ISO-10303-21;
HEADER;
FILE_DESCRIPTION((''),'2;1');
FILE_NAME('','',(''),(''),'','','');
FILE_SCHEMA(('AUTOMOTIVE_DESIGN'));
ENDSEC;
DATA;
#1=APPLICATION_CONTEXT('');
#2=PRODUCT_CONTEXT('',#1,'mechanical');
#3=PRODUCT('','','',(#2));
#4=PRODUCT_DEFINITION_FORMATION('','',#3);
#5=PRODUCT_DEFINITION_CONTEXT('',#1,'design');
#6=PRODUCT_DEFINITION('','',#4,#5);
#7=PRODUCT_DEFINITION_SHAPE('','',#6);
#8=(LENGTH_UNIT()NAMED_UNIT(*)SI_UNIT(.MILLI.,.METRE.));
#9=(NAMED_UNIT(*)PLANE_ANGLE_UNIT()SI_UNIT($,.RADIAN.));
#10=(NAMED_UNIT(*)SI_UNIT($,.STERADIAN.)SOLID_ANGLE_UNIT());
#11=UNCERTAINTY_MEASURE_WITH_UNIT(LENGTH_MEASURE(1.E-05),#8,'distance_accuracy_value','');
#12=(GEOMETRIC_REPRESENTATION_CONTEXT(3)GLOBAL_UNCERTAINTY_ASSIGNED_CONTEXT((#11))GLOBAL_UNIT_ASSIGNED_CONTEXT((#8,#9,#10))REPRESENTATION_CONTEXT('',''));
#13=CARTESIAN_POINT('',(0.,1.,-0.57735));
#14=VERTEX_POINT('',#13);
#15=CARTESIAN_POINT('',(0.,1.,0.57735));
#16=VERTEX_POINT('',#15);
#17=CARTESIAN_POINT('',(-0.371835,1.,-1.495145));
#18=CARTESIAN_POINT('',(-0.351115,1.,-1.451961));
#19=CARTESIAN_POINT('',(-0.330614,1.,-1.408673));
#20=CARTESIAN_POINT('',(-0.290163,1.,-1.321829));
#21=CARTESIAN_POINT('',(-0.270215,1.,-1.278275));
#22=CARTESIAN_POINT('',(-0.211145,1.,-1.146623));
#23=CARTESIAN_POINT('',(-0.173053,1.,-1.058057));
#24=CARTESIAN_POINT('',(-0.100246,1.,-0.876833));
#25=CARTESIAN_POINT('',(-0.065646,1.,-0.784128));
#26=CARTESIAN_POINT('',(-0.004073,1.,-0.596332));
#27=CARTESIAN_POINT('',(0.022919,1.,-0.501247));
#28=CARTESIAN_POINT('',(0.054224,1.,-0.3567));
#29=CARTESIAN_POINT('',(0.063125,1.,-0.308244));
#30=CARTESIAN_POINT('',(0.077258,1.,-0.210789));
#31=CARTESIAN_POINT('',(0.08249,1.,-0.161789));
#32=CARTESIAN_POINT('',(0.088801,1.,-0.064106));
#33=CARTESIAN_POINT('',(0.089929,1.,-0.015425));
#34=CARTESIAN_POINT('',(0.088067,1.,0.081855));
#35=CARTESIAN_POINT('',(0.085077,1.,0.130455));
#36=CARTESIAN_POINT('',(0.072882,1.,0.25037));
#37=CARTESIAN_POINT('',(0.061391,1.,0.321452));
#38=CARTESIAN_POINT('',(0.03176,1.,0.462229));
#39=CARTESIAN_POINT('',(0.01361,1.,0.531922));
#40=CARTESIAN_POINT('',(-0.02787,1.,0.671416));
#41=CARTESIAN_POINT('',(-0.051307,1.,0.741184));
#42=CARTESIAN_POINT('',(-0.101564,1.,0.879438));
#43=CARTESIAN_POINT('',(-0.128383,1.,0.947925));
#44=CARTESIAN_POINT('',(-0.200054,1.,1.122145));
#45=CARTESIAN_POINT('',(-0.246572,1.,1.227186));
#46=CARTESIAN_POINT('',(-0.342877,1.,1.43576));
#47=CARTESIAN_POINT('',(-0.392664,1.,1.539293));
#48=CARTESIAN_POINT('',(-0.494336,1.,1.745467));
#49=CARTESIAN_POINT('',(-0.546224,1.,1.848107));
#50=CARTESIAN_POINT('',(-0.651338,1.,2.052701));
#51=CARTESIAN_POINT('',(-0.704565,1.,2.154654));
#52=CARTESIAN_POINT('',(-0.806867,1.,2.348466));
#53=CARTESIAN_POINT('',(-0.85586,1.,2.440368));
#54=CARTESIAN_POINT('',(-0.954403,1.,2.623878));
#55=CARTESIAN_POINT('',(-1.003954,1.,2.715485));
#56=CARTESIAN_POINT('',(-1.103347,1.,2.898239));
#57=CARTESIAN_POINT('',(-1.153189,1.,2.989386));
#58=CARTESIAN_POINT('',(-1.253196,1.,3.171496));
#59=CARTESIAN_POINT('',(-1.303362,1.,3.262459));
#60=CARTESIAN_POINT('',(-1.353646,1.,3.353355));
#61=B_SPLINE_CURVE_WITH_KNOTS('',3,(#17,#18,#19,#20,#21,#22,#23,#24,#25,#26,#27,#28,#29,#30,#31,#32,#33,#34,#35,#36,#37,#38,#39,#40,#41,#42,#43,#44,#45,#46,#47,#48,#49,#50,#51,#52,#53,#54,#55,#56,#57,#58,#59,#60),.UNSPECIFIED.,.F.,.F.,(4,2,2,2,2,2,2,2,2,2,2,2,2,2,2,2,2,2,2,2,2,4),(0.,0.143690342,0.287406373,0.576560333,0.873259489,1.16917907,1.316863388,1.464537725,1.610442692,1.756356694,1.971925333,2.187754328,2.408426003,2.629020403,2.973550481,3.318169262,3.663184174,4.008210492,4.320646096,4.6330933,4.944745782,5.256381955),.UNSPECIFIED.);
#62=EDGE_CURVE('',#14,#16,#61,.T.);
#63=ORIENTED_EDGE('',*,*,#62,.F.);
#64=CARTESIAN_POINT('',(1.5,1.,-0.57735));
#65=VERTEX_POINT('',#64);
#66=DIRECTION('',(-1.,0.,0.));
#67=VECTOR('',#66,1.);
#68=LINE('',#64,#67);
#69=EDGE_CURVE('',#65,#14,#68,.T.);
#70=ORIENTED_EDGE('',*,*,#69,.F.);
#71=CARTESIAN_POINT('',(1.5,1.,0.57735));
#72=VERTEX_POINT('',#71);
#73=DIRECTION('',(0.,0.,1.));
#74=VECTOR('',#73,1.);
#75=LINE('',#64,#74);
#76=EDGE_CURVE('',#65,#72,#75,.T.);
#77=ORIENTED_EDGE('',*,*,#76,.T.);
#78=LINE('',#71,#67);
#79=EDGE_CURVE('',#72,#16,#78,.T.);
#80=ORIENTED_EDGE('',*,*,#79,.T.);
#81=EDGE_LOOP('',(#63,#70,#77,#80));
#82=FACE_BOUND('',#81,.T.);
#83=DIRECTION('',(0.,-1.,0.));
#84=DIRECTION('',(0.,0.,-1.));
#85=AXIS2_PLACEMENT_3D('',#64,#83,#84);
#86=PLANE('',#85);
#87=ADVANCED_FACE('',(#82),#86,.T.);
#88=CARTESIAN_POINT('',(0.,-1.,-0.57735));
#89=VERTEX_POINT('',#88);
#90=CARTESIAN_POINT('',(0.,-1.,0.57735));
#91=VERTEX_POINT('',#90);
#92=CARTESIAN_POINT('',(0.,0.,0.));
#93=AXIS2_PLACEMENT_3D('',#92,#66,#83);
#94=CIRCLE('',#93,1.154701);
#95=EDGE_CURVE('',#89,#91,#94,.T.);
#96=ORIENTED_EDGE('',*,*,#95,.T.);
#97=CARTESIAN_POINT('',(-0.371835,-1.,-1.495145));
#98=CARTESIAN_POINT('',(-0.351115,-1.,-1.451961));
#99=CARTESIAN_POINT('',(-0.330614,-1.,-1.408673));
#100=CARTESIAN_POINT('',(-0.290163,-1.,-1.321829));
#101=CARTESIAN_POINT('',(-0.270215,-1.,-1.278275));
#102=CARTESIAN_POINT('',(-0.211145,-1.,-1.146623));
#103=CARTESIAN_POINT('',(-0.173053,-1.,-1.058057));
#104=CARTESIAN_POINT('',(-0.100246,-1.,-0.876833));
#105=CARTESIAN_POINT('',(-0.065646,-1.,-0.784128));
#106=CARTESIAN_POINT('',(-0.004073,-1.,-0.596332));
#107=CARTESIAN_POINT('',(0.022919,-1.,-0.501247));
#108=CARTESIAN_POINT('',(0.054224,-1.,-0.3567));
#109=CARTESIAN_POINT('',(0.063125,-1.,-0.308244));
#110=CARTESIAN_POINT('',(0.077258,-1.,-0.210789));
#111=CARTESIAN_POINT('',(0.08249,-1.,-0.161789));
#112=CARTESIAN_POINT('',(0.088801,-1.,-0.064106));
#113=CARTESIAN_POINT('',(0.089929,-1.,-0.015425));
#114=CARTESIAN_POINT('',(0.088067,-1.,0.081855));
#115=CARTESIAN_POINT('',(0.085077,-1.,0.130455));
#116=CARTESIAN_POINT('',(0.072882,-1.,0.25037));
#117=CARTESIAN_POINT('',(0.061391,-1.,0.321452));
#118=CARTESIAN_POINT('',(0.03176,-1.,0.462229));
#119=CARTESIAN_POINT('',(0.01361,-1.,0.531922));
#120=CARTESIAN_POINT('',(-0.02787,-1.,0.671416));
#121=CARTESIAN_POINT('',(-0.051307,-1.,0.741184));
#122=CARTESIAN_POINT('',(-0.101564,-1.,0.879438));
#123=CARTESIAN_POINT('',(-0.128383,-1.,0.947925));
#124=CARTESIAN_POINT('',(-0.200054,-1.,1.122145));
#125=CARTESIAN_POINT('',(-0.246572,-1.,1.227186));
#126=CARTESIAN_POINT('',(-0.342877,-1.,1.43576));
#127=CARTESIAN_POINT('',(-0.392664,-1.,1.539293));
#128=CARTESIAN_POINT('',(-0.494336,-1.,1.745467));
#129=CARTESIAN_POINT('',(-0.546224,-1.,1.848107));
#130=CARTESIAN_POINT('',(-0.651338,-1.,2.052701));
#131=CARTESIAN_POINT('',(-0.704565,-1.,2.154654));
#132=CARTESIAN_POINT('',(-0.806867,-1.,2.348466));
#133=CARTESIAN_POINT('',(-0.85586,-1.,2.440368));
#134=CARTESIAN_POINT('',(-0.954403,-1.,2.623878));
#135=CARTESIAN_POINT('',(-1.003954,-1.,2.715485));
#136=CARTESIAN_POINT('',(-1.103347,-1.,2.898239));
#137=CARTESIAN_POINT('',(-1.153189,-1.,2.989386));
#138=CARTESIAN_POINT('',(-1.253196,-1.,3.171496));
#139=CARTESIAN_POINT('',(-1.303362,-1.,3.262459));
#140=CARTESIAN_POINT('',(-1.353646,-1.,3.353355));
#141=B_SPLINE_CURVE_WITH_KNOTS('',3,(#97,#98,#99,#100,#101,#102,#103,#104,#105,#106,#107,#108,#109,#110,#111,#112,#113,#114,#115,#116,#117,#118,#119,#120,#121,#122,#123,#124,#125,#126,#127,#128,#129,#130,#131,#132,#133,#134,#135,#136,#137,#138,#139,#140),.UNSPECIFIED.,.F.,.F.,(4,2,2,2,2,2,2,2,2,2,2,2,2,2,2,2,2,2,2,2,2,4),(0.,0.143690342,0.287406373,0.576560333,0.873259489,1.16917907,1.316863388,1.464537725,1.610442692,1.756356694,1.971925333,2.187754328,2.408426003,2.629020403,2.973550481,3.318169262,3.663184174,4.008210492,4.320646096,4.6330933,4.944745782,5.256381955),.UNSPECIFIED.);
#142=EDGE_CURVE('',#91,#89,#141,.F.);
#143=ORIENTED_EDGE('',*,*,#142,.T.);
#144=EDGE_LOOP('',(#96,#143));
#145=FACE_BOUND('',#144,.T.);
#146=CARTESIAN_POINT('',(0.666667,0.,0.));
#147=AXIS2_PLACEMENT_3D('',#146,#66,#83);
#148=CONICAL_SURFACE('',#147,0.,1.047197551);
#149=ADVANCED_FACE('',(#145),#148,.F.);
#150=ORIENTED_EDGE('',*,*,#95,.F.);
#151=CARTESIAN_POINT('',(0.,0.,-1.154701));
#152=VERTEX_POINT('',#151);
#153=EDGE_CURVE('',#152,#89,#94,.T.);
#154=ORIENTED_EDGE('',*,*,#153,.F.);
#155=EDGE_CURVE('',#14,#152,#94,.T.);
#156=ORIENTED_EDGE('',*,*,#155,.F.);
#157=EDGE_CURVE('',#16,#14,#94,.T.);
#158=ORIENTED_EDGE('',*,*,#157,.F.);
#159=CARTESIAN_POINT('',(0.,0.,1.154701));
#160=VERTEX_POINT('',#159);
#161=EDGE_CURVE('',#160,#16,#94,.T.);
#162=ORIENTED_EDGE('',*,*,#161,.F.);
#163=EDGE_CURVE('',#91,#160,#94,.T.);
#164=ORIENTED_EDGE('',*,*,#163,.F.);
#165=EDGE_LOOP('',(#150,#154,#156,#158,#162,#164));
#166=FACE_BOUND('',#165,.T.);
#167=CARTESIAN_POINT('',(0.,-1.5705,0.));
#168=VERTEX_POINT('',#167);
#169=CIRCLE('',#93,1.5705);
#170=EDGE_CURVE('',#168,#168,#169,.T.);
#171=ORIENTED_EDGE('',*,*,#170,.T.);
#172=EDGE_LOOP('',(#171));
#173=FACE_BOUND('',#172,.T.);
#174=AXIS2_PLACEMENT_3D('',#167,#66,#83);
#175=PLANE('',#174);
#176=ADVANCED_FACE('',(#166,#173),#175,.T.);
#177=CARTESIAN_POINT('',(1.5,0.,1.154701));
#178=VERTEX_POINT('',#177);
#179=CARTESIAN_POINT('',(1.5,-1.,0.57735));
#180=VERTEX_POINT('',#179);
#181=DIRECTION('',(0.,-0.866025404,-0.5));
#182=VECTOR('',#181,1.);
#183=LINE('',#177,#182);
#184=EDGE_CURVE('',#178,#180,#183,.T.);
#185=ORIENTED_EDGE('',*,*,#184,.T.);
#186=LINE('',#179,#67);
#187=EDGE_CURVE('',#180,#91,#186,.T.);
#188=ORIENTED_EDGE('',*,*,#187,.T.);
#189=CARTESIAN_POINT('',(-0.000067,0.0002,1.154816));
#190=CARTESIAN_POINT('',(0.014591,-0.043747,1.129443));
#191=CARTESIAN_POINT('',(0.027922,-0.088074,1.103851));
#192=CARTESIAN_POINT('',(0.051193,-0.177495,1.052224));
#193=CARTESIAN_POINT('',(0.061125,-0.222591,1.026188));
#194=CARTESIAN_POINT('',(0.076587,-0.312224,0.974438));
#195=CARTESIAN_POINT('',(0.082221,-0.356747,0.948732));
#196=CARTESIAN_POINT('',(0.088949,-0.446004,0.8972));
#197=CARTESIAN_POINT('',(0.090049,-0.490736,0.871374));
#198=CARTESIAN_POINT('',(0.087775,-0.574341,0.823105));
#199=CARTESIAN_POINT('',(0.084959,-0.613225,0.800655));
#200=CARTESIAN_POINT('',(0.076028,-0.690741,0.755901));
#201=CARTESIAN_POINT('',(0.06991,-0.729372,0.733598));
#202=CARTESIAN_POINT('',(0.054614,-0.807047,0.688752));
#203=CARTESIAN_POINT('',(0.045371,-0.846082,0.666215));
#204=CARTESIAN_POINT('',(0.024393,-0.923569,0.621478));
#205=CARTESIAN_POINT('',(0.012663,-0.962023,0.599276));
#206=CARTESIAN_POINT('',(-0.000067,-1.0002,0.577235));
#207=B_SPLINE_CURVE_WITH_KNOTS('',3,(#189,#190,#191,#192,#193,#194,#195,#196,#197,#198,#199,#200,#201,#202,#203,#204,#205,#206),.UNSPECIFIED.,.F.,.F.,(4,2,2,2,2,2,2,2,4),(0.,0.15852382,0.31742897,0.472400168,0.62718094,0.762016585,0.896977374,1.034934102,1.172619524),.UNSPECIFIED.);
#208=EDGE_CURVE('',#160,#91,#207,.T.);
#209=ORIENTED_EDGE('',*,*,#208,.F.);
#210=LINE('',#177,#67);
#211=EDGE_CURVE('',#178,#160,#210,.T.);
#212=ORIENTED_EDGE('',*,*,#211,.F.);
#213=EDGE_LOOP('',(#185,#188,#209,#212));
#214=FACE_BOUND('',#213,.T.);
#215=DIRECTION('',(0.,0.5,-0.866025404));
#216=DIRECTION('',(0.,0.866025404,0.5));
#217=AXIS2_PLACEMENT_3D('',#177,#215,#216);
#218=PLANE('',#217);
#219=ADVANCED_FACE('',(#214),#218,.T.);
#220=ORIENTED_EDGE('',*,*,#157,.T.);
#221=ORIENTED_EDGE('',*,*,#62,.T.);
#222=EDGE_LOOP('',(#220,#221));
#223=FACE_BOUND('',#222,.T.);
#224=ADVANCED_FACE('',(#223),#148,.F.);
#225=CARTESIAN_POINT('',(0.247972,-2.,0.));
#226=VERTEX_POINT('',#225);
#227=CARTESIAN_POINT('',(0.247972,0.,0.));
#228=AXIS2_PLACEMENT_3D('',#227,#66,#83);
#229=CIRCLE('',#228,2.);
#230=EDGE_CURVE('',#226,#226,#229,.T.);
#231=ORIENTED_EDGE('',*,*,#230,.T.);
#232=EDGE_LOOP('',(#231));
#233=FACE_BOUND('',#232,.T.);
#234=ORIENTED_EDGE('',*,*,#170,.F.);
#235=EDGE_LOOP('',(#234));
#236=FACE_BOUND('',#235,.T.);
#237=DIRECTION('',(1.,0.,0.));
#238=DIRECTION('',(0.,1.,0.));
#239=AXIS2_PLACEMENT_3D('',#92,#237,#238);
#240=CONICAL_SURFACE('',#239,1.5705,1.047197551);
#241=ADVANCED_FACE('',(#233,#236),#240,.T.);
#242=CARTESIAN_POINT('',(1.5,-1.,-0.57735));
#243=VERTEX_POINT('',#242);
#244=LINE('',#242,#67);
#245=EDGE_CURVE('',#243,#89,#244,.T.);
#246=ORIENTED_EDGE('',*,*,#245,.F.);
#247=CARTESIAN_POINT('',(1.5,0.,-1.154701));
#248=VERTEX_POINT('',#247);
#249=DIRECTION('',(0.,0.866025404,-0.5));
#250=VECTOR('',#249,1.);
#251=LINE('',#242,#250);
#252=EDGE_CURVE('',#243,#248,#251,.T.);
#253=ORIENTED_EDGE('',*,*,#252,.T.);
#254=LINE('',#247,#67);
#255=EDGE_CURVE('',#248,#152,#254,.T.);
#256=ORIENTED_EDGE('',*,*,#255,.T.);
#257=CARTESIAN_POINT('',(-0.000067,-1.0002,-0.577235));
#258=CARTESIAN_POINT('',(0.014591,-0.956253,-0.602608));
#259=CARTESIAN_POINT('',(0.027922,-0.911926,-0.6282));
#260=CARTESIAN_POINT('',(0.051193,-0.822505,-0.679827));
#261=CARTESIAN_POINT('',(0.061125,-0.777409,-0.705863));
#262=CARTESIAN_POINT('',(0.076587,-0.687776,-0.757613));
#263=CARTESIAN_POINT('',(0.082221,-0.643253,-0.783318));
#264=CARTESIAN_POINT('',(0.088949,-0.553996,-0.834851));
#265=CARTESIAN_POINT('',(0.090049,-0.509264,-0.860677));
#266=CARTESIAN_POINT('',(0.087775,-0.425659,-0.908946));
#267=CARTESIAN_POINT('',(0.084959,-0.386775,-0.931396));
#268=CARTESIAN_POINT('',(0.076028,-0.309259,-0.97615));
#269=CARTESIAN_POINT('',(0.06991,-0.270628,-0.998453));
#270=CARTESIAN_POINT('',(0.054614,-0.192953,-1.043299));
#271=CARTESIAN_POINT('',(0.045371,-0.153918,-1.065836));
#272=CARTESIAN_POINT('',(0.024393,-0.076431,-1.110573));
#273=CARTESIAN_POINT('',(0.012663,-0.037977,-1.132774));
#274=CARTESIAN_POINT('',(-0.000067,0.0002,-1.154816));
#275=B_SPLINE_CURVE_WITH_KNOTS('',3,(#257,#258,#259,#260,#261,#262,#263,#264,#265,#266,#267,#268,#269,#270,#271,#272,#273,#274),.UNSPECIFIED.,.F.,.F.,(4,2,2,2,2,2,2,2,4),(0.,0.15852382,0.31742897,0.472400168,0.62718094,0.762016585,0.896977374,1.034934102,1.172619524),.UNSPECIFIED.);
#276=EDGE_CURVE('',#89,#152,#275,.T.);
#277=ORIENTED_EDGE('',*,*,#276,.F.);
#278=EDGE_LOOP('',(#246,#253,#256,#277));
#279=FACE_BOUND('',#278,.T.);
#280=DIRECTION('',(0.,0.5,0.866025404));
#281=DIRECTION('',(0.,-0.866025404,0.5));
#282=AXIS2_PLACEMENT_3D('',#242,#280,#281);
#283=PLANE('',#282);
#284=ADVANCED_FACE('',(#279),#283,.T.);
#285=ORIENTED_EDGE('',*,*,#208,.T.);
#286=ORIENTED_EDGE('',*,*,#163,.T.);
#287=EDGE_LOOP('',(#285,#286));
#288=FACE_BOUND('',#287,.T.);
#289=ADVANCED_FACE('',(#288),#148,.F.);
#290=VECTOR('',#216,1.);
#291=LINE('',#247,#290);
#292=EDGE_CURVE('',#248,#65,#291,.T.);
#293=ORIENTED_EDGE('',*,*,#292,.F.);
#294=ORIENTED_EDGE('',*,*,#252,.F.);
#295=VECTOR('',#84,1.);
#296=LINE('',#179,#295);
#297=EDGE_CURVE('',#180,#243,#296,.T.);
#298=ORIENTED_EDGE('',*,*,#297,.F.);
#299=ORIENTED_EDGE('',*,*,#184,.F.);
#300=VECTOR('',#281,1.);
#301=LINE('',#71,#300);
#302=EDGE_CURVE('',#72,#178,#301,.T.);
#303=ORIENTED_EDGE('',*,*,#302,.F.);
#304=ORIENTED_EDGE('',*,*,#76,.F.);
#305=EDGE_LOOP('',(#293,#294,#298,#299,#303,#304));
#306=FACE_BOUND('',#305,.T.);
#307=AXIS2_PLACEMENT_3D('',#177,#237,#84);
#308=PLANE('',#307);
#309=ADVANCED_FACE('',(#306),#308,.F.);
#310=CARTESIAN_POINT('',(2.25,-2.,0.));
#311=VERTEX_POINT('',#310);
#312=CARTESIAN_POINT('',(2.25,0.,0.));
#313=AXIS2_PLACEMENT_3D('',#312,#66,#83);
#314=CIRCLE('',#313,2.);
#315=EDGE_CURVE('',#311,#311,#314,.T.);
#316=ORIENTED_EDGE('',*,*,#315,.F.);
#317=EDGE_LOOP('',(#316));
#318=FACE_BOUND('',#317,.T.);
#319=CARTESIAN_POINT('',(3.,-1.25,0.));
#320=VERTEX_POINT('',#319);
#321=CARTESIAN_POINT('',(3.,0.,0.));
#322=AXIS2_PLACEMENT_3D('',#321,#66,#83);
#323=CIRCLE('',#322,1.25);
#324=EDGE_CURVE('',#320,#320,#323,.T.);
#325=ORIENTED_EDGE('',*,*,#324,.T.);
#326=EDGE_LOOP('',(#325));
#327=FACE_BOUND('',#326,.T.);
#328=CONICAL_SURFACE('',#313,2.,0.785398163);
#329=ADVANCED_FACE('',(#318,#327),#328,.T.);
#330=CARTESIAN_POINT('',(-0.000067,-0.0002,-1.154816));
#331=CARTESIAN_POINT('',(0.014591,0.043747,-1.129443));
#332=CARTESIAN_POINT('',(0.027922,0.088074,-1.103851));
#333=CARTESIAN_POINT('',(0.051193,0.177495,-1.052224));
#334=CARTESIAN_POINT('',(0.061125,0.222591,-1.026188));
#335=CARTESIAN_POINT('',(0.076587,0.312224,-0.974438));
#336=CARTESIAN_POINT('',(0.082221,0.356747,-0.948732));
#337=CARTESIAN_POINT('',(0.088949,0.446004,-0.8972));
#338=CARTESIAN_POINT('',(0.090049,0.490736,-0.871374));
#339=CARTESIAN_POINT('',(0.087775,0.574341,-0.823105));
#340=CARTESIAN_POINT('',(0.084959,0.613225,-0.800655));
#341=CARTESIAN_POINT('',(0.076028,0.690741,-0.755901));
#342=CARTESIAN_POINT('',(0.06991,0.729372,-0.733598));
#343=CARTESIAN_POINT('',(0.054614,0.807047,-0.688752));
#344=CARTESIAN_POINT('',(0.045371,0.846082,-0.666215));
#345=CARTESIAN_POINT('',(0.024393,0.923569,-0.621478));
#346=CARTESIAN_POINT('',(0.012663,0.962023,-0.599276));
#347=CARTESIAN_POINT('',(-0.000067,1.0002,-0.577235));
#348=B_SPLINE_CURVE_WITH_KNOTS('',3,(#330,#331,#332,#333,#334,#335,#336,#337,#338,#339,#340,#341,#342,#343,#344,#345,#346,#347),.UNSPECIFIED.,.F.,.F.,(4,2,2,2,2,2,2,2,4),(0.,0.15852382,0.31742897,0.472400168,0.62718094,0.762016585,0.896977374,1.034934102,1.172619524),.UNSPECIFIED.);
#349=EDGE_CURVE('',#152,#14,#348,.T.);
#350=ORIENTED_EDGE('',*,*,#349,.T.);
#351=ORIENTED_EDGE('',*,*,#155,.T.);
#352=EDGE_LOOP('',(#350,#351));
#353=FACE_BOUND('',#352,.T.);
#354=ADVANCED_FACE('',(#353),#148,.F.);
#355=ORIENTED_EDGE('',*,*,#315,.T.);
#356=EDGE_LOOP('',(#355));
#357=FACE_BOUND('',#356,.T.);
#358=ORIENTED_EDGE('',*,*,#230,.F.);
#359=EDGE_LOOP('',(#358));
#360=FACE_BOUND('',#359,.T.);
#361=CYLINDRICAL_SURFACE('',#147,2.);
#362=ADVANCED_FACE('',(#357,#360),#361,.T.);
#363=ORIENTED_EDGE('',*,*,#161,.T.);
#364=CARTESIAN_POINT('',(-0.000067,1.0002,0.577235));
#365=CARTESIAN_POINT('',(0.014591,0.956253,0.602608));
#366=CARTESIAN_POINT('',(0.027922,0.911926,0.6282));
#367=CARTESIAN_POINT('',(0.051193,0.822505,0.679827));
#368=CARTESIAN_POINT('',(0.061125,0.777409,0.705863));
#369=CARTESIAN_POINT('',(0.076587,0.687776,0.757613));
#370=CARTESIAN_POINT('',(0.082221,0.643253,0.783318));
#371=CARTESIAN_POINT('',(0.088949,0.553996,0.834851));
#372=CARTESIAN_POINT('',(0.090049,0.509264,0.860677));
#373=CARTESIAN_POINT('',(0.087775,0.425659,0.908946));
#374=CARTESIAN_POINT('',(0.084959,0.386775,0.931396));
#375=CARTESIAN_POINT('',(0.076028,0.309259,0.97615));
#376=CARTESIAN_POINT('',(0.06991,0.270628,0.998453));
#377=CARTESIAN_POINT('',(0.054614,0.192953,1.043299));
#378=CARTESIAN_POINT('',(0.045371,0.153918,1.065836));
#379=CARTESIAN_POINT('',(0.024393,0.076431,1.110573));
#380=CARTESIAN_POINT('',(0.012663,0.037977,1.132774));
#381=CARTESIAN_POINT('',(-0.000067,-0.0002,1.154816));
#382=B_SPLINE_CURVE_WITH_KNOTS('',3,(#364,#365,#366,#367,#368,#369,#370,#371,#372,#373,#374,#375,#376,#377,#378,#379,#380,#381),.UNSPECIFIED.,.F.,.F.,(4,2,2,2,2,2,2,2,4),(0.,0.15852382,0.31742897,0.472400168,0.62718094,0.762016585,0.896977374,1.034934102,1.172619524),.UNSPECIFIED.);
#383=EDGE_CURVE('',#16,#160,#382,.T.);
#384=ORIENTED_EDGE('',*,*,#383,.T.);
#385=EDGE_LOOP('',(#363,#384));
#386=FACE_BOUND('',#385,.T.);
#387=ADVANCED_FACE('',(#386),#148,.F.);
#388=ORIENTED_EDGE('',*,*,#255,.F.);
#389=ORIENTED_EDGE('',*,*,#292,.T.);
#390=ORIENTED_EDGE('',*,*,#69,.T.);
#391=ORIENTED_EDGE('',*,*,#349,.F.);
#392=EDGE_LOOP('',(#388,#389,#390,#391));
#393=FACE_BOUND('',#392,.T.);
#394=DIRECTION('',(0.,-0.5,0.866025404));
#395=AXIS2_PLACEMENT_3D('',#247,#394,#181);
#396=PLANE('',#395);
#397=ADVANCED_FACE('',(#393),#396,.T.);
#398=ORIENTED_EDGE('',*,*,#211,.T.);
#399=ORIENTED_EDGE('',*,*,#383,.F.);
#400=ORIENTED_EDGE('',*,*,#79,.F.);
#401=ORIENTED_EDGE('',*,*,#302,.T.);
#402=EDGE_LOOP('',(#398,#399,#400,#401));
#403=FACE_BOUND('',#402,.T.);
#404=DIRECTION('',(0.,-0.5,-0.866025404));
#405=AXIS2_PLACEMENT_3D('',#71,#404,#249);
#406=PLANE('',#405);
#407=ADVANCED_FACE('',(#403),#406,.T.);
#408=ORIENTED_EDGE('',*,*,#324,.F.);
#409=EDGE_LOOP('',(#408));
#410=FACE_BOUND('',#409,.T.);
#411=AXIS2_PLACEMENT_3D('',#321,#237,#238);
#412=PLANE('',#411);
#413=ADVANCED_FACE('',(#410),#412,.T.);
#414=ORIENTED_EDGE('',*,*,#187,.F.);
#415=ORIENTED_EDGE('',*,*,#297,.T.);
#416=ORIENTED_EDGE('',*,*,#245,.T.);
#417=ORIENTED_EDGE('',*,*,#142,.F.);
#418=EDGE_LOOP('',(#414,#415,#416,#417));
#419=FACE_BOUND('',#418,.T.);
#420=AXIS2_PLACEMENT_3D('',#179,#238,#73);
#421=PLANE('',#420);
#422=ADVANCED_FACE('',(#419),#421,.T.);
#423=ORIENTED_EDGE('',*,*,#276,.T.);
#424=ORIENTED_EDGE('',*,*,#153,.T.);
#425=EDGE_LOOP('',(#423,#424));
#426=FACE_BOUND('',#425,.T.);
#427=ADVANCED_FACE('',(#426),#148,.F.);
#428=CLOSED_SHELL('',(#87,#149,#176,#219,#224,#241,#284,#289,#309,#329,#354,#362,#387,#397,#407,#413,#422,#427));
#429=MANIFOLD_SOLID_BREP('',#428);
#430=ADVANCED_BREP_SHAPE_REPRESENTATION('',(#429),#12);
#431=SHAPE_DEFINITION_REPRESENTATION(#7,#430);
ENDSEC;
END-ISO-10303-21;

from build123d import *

# Parameters (mm, degrees)
CUT_EXTRUDE1_DEPTH = 1.5


with BuildPart() as part:
    # Sketch1 → Revolve1 (revolve)
    with BuildSketch(Plane.XY):
        Polygon((3, 0), (3, -1.25), (2.25, -2), (0.247971941, -2), (0, -1.5705), (0, -1.154700538), (0.666666667, 0), align=None)
    revolve(axis=Axis((0.666666667, 0, 0), (1, 0, 0)))

    # Sketch2 → Cut-Extrude1 (cut)
    with BuildSketch(Plane(origin=(0, 0, 0), x_dir=(0, 0, -1), z_dir=(1, 0, 0))):
        Polygon((-1.154700538, 0), (-0.577350269, -1), (0.577350269, -1), (1.154700538, 0), (0.577350269, 1), (-0.577350269, 1), align=None)
    extrude(amount=CUT_EXTRUDE1_DEPTH, mode=Mode.SUBTRACT)


solid = part.part
